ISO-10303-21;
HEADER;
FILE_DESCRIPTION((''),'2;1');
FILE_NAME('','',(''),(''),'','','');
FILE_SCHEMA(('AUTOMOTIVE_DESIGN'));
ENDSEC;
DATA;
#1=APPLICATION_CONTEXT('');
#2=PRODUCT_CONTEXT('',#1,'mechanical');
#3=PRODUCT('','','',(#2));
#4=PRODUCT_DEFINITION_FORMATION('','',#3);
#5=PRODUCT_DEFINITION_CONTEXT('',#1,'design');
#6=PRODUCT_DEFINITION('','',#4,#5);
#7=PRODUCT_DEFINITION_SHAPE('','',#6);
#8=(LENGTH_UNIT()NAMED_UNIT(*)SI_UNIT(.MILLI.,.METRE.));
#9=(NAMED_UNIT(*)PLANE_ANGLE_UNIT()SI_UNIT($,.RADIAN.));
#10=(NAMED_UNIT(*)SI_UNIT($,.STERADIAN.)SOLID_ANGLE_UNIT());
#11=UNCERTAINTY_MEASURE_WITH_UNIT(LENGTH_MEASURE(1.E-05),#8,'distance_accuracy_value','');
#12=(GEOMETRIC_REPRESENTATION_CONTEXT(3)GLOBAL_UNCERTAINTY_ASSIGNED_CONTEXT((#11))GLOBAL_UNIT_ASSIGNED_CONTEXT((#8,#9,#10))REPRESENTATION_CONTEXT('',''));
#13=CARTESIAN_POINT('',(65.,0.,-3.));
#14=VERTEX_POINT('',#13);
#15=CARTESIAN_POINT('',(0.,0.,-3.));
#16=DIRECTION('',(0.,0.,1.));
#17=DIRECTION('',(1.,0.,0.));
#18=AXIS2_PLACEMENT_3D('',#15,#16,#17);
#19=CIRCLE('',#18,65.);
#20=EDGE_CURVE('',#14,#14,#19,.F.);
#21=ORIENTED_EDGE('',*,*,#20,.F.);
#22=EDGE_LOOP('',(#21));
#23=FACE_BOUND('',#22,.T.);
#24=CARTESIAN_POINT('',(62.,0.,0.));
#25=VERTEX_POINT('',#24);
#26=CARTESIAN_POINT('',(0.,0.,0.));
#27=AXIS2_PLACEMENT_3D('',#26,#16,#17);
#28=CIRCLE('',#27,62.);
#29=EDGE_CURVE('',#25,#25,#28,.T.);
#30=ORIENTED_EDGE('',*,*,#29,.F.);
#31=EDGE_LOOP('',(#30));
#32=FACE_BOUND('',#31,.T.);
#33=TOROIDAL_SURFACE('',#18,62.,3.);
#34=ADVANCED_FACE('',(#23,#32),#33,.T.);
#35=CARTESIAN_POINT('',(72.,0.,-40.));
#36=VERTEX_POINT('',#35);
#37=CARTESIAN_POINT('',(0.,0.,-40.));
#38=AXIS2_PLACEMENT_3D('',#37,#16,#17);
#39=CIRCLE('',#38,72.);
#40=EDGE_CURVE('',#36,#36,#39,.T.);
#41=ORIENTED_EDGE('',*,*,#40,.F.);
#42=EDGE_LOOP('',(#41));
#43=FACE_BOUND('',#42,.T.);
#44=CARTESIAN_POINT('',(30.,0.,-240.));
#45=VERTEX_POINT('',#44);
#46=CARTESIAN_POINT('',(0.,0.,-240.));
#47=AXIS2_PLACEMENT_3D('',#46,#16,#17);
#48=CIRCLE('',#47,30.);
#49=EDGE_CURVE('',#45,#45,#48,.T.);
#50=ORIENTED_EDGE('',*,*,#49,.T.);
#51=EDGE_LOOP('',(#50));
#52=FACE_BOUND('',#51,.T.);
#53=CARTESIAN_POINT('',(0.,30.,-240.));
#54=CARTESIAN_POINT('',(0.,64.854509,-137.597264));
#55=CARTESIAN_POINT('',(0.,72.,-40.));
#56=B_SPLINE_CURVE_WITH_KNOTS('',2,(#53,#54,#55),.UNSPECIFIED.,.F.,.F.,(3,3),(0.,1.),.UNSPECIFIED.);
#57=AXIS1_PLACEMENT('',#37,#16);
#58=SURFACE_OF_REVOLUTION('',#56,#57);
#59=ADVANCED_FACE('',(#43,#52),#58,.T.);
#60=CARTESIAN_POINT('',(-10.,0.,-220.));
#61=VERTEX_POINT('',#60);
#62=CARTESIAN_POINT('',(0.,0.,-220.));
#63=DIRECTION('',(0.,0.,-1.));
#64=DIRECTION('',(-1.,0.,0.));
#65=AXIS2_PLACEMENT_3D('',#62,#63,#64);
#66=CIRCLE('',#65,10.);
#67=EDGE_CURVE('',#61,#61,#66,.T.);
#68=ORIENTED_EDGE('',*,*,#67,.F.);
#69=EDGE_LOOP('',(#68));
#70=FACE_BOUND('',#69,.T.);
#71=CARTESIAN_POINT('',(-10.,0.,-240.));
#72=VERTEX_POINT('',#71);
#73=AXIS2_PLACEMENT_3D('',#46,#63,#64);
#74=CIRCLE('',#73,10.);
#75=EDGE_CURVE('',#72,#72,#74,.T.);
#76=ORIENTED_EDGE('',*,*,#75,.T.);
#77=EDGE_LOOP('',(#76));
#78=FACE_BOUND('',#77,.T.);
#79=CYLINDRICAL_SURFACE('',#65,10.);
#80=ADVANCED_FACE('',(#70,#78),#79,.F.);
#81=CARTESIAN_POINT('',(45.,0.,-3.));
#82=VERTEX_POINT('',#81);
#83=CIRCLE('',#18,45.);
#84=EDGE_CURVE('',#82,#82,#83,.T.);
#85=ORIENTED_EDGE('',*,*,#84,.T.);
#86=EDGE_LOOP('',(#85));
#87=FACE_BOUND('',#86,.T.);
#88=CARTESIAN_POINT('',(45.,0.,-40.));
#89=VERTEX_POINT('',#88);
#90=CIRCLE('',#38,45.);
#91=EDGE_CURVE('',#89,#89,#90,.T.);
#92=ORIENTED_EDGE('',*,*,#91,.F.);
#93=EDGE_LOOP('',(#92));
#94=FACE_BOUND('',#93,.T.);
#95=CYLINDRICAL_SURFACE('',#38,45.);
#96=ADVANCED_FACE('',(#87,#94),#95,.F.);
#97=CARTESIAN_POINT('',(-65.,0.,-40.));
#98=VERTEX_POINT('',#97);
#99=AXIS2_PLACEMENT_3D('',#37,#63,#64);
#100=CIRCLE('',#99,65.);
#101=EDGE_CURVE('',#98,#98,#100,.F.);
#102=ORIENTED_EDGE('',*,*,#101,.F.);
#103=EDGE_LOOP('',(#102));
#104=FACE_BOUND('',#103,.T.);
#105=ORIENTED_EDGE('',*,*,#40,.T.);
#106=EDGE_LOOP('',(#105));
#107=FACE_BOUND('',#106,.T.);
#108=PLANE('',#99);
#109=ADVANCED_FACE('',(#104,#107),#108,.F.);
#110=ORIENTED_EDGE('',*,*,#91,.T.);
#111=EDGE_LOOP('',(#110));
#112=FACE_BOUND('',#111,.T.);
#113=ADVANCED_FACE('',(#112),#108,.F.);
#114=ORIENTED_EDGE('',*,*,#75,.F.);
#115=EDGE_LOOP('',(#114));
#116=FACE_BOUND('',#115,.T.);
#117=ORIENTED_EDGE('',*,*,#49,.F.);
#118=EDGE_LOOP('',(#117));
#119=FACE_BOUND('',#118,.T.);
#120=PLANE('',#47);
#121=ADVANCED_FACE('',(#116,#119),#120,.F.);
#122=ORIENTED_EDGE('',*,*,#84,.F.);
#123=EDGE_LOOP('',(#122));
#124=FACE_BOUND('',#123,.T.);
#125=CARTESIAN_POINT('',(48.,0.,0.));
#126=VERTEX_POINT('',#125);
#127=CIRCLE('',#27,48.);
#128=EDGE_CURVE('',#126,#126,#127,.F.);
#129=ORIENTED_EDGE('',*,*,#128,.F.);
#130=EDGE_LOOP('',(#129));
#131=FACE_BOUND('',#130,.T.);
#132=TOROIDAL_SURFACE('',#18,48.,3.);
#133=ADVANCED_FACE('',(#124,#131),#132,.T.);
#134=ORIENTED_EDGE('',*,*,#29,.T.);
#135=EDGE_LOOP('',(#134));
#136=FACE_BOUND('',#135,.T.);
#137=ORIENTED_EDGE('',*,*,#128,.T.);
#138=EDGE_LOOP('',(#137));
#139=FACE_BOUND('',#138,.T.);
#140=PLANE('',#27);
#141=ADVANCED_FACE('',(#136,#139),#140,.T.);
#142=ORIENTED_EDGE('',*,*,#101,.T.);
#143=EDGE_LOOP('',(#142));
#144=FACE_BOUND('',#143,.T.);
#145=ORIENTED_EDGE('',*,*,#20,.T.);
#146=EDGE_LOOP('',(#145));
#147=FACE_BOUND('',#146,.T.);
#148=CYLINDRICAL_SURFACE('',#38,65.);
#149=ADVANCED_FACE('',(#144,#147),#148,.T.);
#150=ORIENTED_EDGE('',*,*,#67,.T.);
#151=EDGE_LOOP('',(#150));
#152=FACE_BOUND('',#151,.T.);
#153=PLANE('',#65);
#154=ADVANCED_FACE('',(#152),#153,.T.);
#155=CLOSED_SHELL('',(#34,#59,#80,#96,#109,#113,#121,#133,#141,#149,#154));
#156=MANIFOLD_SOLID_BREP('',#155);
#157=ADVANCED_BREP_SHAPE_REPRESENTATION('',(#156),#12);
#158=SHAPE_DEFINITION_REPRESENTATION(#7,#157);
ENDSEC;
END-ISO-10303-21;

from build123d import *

# Parameters (mm, degrees)
SKETCH1_R           = 65
SKETCH1_R_2         = 45
BOSS_EXTRUDE1_DEPTH = 40
FILLET1_R           = 3
SKETCH4_R           = 10
CUT_EXTRUDE1_DEPTH  = 20


with BuildPart() as part:
    # Sketch1 → Boss-Extrude1 (new body)
    with BuildSketch(Plane.XY):
        Circle(SKETCH1_R)
        Circle(SKETCH1_R_2, mode=Mode.SUBTRACT)
    extrude(amount=-BOSS_EXTRUDE1_DEPTH)

    # Fillet1
    fillet1_edges = [part.edges().sort_by_distance(p)[0] for p in [
        (-65, 0, 0),
        (-45, 0, 0),
    ]]
    fillet(fillet1_edges, radius=FILLET1_R)

    # Sketch2 → Revolve1 (revolve)
    with BuildSketch(Plane(origin=(0, 0, 0), x_dir=(0, 0, -1), z_dir=(1, 0, 0))):
        with BuildLine():
            Line((40, 0), (240, 0))
            Line((240, 0), (240, 30))
            add(Edge.make_bspline(
                [(40, 72), (137.597263884, 64.854508863), (240, 30)],
                knots=[0, 0, 0, 1, 1, 1], degree=2))
            Line((40, 72), (40, 0))
        make_face()
    revolve(axis=Axis((0, 0, -40), (0, 0, -1)))

    # Sketch4 → Cut-Extrude1 (cut)
    with BuildSketch(Plane(origin=(0, 0, -240), x_dir=(-1, 0, 0), z_dir=(0, 0, -1))):
        Circle(SKETCH4_R)
    extrude(amount=-CUT_EXTRUDE1_DEPTH, mode=Mode.SUBTRACT)


solid = part.part
